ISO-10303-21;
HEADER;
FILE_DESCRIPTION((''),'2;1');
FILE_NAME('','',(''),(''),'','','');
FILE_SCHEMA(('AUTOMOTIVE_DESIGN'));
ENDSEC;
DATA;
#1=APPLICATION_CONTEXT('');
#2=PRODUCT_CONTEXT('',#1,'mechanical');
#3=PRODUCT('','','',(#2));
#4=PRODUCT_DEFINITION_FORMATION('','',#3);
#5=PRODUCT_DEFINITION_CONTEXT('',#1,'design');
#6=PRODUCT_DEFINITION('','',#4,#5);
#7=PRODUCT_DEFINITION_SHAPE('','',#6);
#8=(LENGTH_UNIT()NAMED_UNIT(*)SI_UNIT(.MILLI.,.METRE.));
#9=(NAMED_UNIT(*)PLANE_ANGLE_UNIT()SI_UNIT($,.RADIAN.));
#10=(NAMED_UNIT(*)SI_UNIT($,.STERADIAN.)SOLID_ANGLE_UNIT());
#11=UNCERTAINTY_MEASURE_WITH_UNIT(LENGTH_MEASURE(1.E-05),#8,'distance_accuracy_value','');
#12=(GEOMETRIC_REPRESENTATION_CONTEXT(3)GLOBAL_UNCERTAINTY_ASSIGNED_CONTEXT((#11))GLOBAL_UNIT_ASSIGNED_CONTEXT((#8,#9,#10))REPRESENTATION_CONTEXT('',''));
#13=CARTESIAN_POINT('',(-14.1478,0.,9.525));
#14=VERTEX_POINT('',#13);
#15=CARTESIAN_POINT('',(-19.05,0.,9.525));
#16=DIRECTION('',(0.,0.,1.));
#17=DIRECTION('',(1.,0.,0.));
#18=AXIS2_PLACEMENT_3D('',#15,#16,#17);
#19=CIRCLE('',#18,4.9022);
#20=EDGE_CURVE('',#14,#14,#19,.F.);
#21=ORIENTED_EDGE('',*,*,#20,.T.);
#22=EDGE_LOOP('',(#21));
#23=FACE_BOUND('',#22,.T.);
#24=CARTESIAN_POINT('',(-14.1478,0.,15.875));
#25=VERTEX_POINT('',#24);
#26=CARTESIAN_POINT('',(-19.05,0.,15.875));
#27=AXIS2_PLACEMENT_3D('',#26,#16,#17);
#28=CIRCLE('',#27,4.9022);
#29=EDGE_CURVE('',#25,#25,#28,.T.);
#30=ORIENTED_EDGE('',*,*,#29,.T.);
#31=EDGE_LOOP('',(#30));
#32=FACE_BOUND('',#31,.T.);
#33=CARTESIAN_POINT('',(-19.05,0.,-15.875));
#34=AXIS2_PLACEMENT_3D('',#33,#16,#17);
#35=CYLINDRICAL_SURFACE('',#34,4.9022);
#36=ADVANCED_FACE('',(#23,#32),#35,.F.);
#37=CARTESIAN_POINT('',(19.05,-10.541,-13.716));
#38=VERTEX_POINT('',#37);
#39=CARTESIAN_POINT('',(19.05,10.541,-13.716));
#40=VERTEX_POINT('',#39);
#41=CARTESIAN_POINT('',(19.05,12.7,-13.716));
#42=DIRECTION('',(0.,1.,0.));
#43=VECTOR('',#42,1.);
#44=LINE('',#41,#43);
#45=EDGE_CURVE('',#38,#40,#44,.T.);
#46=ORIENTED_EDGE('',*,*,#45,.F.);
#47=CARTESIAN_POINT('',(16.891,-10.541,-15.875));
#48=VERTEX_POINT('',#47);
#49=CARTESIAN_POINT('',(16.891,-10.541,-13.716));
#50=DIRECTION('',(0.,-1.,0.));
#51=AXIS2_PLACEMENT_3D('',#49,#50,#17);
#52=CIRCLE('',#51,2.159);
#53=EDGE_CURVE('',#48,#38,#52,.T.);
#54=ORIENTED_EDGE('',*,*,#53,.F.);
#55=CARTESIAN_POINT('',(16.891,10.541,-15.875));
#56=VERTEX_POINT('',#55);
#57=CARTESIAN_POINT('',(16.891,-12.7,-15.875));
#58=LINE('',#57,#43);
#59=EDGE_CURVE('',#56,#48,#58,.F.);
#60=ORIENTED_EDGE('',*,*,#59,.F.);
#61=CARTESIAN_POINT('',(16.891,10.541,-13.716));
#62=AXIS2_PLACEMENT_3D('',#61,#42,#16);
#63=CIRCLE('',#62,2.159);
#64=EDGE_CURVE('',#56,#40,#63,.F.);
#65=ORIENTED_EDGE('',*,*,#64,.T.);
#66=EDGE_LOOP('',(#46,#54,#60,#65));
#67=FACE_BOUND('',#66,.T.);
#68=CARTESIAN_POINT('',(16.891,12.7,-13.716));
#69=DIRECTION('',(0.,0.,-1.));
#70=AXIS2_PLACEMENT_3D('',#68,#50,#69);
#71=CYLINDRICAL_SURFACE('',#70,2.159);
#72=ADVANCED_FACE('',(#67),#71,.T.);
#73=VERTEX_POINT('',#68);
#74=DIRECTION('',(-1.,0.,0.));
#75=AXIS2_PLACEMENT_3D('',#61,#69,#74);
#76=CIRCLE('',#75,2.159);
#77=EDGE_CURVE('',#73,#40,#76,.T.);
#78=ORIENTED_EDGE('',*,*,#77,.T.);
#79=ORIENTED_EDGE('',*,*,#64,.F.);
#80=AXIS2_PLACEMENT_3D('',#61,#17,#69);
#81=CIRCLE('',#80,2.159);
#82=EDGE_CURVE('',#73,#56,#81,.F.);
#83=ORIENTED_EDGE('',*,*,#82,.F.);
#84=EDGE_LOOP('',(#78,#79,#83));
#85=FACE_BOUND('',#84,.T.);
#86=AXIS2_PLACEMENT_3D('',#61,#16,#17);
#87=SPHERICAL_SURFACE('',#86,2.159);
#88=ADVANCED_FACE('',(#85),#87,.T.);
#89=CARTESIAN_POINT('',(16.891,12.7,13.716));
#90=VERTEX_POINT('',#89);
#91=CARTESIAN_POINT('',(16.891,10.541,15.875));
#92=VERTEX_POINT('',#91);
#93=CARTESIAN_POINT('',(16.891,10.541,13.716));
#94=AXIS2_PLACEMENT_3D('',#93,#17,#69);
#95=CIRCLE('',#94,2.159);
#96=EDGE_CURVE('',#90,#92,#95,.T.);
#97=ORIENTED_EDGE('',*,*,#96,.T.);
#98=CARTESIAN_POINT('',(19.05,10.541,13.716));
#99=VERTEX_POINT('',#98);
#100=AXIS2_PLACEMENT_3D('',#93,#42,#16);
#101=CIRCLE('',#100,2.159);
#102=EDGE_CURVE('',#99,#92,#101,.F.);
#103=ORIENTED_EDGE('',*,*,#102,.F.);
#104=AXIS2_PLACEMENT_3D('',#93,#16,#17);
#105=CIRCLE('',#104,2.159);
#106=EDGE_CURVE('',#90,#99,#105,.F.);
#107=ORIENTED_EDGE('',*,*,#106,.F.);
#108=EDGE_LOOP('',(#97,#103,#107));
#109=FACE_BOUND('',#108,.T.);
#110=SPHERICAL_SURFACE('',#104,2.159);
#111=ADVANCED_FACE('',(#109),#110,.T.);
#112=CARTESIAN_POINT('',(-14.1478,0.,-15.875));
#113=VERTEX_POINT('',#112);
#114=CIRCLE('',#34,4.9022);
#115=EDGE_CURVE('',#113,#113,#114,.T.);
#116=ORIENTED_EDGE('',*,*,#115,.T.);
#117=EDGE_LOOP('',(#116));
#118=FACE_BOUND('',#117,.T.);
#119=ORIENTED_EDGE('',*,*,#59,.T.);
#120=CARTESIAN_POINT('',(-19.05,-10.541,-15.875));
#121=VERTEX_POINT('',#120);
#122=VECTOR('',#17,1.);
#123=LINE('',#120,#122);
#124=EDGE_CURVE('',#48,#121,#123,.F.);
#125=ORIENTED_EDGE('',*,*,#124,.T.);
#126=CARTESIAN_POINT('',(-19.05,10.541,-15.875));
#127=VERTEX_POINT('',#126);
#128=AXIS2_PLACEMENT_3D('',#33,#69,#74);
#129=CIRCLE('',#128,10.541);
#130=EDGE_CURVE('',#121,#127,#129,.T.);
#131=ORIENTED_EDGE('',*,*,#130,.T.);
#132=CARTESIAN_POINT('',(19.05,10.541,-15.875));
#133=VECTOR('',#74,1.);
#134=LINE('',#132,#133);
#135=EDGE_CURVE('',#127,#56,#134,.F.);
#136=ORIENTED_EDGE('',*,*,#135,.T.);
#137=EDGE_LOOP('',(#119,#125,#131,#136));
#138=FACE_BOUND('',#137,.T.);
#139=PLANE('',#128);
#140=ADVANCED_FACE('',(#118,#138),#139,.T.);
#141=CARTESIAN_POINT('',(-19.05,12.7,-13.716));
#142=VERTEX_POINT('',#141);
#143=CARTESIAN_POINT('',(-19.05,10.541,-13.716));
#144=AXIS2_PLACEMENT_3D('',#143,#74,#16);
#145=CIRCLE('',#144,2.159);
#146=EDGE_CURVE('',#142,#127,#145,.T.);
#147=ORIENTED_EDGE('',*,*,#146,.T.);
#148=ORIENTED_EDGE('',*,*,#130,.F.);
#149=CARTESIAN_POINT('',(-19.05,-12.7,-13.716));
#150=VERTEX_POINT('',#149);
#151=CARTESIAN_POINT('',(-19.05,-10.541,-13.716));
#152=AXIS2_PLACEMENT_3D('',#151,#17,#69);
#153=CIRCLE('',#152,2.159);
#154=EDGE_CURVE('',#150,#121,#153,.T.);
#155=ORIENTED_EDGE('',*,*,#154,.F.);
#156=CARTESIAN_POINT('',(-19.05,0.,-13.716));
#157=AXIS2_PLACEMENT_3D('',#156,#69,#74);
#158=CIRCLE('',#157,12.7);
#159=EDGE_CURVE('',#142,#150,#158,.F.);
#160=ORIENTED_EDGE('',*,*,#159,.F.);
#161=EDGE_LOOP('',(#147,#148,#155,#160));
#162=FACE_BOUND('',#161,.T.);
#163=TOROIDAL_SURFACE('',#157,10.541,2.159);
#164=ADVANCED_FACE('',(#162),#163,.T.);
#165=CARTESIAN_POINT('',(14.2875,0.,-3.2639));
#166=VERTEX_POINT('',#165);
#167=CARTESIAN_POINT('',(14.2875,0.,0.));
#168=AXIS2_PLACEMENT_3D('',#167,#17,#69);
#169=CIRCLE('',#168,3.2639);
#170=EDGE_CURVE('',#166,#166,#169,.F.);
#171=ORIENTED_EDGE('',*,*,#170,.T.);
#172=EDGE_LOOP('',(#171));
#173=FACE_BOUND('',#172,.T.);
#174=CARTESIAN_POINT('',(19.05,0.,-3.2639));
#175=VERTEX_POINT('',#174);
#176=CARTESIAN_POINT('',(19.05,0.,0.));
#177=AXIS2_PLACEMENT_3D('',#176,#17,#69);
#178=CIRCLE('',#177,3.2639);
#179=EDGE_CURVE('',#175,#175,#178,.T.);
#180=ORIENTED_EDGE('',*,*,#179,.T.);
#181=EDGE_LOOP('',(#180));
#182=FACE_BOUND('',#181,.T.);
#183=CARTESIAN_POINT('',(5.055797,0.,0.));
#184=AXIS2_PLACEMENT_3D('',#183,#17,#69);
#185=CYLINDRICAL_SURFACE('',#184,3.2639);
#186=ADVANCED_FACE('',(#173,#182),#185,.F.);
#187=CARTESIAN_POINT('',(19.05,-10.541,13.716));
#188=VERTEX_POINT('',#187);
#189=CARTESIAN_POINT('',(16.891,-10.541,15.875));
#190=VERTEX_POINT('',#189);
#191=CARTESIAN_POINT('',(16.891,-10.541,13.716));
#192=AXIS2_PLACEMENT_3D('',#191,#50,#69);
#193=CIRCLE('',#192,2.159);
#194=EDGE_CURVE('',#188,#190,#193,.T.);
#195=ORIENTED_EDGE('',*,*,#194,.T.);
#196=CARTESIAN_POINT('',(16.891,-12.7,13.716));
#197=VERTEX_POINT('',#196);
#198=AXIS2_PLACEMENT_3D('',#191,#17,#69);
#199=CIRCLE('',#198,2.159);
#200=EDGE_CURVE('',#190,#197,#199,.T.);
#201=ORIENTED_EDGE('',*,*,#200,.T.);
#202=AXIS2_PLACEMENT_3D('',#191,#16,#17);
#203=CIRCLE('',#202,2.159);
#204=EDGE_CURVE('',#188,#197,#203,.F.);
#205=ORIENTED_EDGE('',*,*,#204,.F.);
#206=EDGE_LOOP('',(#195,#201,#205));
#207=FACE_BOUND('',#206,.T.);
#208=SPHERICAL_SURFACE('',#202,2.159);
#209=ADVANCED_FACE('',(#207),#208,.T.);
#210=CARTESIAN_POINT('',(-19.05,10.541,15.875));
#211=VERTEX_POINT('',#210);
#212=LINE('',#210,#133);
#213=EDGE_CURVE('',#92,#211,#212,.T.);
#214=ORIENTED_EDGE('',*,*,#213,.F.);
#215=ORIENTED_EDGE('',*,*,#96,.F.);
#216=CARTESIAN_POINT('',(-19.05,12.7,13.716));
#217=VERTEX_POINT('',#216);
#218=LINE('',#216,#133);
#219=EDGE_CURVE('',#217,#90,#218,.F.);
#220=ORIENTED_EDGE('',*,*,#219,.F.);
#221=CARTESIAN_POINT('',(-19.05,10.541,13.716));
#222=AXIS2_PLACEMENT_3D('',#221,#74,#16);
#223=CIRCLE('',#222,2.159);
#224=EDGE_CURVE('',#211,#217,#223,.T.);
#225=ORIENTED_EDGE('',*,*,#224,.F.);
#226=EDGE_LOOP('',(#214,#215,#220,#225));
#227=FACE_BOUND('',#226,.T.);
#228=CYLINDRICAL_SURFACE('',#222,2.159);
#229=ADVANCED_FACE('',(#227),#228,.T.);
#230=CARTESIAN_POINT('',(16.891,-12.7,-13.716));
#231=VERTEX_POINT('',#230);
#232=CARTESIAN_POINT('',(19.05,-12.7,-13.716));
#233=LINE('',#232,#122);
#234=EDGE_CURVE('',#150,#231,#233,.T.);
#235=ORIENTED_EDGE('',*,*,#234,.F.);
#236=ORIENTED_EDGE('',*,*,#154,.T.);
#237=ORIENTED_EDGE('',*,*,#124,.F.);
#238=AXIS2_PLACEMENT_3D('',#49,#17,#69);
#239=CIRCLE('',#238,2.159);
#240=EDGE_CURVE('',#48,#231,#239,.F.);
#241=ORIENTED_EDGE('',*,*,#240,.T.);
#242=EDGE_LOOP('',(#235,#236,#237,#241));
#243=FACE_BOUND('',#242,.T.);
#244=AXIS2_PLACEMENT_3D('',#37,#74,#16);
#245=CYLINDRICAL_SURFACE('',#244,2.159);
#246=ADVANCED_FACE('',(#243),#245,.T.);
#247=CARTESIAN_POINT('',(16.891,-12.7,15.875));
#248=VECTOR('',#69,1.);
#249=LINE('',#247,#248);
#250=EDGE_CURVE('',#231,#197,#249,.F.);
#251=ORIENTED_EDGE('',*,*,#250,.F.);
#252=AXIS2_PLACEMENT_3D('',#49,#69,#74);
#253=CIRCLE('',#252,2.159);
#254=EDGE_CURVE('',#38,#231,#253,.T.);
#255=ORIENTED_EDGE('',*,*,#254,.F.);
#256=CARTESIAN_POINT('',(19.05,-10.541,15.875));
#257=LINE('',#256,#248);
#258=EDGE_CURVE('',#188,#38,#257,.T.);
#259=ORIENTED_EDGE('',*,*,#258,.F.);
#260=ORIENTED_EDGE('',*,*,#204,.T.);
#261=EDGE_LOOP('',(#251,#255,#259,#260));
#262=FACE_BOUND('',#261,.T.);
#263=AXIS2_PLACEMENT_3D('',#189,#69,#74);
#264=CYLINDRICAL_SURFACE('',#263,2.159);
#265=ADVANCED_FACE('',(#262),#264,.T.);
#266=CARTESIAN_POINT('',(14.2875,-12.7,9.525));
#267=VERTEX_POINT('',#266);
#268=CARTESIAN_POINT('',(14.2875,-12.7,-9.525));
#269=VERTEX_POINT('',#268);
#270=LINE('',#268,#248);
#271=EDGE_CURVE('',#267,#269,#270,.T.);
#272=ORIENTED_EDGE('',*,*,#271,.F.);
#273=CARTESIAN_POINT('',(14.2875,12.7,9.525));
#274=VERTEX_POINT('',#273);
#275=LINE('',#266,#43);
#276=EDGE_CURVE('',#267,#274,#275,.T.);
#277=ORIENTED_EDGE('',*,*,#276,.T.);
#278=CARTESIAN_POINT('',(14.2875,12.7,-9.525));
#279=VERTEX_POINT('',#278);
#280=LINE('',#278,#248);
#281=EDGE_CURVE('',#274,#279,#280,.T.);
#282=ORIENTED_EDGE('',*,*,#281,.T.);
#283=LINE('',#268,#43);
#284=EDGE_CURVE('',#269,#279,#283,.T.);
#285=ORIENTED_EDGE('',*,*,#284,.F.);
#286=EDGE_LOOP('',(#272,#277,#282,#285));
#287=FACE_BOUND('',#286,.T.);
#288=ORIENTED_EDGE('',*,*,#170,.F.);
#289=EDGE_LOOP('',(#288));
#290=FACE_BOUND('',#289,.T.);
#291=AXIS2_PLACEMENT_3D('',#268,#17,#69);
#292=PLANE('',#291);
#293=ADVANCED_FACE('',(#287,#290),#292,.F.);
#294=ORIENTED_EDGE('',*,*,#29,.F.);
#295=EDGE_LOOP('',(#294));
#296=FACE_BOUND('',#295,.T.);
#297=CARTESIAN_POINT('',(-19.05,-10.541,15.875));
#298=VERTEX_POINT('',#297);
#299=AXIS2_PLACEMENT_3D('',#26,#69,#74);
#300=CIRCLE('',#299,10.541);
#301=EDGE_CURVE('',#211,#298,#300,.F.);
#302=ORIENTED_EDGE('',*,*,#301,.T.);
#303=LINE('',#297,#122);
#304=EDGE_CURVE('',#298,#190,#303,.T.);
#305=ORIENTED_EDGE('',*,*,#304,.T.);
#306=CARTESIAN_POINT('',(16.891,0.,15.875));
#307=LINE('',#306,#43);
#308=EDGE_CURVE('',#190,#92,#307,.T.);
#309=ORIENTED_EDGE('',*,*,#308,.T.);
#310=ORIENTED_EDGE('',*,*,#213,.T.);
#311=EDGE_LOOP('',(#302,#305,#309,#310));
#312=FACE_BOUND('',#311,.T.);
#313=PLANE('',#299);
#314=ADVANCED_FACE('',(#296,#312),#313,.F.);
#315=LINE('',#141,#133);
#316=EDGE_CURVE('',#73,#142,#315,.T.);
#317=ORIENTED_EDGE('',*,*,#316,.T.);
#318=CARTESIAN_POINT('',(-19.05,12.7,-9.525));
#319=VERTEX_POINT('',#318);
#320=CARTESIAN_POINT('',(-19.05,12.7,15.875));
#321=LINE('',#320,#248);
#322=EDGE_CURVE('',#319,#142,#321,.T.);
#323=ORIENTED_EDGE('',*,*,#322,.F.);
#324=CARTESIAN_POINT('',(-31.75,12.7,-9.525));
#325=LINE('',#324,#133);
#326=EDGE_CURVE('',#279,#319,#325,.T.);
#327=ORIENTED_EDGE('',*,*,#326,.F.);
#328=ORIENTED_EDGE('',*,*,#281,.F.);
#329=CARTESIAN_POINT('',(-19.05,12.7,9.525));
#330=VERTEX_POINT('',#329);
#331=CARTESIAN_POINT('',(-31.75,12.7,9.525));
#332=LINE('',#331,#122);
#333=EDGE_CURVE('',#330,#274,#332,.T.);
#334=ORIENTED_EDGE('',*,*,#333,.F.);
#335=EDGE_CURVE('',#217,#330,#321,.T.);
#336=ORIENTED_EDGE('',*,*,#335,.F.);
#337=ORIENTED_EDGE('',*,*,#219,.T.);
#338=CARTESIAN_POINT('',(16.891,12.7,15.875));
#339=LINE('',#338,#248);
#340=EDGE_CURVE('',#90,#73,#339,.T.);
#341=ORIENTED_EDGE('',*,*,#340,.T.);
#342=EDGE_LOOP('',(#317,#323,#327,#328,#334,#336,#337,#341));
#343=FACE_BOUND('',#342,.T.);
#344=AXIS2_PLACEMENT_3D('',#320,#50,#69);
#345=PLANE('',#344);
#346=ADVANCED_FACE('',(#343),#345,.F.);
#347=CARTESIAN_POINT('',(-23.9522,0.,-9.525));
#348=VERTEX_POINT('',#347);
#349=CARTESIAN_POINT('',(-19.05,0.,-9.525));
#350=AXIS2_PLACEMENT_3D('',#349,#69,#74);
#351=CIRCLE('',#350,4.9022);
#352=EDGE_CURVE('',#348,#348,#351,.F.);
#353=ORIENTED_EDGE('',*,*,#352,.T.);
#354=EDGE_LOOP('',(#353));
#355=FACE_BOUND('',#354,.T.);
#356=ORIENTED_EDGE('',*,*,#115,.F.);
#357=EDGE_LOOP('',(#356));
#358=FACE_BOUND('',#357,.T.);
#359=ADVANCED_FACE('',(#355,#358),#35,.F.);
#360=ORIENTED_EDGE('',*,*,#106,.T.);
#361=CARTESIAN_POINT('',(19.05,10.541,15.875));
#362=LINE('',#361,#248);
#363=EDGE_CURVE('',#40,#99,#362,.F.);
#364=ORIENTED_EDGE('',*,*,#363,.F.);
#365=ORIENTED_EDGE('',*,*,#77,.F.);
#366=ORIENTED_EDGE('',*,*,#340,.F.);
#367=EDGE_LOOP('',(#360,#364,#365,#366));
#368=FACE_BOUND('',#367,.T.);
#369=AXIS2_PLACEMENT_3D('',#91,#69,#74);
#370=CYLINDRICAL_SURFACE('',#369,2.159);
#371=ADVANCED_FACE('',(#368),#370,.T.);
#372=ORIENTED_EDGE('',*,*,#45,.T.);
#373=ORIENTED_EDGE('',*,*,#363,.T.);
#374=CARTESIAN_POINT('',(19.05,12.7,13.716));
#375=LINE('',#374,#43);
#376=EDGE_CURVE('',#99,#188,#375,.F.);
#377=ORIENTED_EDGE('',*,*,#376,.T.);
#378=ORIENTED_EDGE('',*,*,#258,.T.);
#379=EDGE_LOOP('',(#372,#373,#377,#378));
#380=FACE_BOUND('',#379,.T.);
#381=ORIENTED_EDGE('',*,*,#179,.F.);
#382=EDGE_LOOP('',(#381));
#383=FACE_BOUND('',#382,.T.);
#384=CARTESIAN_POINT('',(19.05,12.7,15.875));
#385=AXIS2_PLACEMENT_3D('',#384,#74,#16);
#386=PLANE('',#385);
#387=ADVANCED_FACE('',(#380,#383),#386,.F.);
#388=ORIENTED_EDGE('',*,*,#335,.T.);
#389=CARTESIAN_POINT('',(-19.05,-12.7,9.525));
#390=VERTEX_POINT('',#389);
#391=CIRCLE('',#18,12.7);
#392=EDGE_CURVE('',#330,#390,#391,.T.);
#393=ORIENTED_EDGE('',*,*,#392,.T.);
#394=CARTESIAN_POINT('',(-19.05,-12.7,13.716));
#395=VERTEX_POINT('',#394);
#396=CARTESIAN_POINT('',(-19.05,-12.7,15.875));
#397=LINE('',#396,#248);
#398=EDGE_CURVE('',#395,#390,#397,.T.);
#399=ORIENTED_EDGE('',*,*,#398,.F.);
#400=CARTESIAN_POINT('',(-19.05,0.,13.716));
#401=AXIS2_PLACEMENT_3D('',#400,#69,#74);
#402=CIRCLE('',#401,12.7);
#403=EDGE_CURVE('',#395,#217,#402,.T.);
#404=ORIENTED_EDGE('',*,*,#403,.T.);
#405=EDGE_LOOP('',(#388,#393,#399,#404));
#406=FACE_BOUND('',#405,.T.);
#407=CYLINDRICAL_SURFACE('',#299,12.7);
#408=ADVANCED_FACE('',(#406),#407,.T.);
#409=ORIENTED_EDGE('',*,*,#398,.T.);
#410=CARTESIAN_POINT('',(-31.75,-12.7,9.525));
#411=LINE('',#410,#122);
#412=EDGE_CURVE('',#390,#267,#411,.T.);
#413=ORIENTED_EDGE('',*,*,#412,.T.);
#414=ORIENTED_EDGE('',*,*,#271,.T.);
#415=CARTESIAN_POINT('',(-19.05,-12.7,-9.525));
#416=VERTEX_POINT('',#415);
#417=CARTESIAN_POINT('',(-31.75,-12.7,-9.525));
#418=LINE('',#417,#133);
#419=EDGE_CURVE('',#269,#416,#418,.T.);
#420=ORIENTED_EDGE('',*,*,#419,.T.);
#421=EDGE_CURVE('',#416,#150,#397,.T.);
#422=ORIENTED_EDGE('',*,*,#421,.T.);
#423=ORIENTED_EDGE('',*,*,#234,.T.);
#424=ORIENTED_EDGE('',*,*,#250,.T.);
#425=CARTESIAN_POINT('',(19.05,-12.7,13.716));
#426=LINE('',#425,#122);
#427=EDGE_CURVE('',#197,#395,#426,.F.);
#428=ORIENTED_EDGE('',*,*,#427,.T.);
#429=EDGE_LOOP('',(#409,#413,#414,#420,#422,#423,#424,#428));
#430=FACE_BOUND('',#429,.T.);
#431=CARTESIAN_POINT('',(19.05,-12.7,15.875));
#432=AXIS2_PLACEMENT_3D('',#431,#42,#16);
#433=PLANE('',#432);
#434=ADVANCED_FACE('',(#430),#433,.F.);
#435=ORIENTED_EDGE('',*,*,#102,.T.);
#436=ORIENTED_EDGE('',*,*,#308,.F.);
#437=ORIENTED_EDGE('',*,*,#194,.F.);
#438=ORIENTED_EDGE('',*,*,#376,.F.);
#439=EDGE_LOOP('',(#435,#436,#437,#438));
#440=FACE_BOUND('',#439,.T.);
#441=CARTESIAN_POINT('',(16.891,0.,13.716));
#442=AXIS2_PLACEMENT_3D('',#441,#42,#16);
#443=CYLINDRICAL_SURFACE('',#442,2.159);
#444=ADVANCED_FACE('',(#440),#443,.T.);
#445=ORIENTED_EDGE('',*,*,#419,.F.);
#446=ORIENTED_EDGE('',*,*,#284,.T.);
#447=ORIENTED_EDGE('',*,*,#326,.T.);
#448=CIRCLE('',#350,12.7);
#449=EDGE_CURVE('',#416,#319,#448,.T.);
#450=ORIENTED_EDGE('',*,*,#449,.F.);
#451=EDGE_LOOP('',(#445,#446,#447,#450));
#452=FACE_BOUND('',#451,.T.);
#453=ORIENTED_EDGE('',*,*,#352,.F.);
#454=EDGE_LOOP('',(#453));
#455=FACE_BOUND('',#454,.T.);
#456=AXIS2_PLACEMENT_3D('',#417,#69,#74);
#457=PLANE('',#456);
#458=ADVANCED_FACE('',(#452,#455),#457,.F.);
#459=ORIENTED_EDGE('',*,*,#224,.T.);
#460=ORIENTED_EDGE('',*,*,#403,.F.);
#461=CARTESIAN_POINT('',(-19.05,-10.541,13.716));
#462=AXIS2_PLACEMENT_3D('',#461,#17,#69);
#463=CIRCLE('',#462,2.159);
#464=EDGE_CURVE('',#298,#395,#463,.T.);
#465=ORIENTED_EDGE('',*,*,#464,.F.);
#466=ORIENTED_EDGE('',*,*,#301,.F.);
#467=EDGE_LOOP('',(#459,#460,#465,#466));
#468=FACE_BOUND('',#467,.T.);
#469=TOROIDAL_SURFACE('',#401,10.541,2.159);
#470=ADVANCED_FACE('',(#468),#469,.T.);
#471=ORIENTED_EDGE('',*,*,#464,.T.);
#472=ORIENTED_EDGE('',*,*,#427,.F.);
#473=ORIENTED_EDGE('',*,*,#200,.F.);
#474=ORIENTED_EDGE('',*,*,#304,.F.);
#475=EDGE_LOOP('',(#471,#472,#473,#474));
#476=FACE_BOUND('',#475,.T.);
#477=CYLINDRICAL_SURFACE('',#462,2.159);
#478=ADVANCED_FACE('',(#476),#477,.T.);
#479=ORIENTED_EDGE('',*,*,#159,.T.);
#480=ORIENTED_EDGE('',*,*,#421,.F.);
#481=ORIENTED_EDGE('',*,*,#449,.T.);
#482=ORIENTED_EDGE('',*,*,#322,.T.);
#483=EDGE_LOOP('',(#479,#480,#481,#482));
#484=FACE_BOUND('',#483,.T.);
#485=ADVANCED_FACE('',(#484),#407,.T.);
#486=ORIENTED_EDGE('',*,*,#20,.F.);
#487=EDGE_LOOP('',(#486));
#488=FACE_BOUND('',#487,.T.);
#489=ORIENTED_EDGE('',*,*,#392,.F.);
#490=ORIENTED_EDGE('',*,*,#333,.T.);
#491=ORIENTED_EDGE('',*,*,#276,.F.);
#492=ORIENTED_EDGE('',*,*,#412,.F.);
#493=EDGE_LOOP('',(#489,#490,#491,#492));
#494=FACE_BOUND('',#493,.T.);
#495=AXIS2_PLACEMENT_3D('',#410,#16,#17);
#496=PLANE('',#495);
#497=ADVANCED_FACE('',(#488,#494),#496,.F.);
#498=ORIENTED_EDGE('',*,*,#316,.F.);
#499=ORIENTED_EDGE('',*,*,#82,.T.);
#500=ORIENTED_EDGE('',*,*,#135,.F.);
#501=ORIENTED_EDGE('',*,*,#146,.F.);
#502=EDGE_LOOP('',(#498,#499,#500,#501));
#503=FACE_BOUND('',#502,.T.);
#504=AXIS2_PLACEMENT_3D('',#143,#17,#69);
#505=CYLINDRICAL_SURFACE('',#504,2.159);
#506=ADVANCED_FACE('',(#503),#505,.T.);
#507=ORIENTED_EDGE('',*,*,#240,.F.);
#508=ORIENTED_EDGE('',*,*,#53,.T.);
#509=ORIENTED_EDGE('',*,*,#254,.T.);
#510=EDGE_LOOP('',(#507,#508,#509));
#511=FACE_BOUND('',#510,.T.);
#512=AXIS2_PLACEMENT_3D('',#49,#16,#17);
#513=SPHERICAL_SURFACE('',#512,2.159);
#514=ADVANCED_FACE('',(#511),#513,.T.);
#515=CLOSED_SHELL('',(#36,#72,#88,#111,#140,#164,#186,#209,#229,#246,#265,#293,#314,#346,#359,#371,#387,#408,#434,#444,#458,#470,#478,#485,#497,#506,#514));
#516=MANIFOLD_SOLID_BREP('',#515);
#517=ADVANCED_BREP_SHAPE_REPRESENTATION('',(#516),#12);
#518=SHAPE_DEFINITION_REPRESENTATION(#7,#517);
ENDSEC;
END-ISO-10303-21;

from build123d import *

# Parameters (mm, degrees)
BOSS_EXTRUDE1_DEPTH = 15.875
SKETCH3_R           = 4.9022
CUT_EXTRUDE1_DEPTH  = 47.6627796
SKETCH4_W           = 46.0375
SKETCH4_H           = 19.05
CUT_EXTRUDE2_DEPTH  = 44.649033494
SKETCH5_R           = 3.2639
CUT_EXTRUDE3_DEPTH  = 4.7625
FILLET1_R           = 2.159


with BuildPart() as part:
    # Sketch1 → Boss-Extrude1 (new, symmetric)
    with BuildSketch(Plane.XY):
        with BuildLine():
            Line((-19.05, 12.7), (19.05, 12.7))
            Line((19.05, 12.7), (19.05, -12.7))
            Line((19.05, -12.7), (-19.05, -12.7))
            ThreePointArc((-19.05, -12.7), (-31.75, 0), (-19.05, 12.7))
        make_face()
    extrude(amount=BOSS_EXTRUDE1_DEPTH, both=True)

    # Sketch3 → Cut-Extrude1 (cut, through all)
    with BuildSketch(Plane.XY.offset(15.875)):
        with Locations((-19.05, 0)):
            Circle(SKETCH3_R)
    extrude(amount=-CUT_EXTRUDE1_DEPTH, mode=Mode.SUBTRACT)

    # Sketch4 → Cut-Extrude2 (cut, through all)
    with BuildSketch(Plane(origin=(0, 12.7, 0), x_dir=(1, 0, 0), z_dir=(0, 1, 0))):
        with Locations((-8.73125, 0)):
            Rectangle(SKETCH4_W, SKETCH4_H)
    extrude(amount=-CUT_EXTRUDE2_DEPTH, mode=Mode.SUBTRACT)

    # Sketch5 → Cut-Extrude3 (cut)
    with BuildSketch(Plane(origin=(19.05, 0, 0), x_dir=(0, 0, -1), z_dir=(1, 0, 0))):
        Circle(SKETCH5_R)
    extrude(amount=-CUT_EXTRUDE3_DEPTH, mode=Mode.SUBTRACT)

    # Fillet1
    fillet1_edges = [part.edges().sort_by_distance(p)[0] for p in [
        (19.05, 0, 15.875),
        (0, 12.7, 15.875),
        (-31.75, 0, 15.875),
        (0, 12.7, -15.875),
        (19.05, 0, -15.875),
        (0, -12.7, -15.875),
        (-31.75, 0, -15.875),
        (19.05, 12.7, 0),
        (19.05, -12.7, 0),
        (0, -12.7, 15.875),
    ]]
    fillet(fillet1_edges, radius=FILLET1_R)


solid = part.part
